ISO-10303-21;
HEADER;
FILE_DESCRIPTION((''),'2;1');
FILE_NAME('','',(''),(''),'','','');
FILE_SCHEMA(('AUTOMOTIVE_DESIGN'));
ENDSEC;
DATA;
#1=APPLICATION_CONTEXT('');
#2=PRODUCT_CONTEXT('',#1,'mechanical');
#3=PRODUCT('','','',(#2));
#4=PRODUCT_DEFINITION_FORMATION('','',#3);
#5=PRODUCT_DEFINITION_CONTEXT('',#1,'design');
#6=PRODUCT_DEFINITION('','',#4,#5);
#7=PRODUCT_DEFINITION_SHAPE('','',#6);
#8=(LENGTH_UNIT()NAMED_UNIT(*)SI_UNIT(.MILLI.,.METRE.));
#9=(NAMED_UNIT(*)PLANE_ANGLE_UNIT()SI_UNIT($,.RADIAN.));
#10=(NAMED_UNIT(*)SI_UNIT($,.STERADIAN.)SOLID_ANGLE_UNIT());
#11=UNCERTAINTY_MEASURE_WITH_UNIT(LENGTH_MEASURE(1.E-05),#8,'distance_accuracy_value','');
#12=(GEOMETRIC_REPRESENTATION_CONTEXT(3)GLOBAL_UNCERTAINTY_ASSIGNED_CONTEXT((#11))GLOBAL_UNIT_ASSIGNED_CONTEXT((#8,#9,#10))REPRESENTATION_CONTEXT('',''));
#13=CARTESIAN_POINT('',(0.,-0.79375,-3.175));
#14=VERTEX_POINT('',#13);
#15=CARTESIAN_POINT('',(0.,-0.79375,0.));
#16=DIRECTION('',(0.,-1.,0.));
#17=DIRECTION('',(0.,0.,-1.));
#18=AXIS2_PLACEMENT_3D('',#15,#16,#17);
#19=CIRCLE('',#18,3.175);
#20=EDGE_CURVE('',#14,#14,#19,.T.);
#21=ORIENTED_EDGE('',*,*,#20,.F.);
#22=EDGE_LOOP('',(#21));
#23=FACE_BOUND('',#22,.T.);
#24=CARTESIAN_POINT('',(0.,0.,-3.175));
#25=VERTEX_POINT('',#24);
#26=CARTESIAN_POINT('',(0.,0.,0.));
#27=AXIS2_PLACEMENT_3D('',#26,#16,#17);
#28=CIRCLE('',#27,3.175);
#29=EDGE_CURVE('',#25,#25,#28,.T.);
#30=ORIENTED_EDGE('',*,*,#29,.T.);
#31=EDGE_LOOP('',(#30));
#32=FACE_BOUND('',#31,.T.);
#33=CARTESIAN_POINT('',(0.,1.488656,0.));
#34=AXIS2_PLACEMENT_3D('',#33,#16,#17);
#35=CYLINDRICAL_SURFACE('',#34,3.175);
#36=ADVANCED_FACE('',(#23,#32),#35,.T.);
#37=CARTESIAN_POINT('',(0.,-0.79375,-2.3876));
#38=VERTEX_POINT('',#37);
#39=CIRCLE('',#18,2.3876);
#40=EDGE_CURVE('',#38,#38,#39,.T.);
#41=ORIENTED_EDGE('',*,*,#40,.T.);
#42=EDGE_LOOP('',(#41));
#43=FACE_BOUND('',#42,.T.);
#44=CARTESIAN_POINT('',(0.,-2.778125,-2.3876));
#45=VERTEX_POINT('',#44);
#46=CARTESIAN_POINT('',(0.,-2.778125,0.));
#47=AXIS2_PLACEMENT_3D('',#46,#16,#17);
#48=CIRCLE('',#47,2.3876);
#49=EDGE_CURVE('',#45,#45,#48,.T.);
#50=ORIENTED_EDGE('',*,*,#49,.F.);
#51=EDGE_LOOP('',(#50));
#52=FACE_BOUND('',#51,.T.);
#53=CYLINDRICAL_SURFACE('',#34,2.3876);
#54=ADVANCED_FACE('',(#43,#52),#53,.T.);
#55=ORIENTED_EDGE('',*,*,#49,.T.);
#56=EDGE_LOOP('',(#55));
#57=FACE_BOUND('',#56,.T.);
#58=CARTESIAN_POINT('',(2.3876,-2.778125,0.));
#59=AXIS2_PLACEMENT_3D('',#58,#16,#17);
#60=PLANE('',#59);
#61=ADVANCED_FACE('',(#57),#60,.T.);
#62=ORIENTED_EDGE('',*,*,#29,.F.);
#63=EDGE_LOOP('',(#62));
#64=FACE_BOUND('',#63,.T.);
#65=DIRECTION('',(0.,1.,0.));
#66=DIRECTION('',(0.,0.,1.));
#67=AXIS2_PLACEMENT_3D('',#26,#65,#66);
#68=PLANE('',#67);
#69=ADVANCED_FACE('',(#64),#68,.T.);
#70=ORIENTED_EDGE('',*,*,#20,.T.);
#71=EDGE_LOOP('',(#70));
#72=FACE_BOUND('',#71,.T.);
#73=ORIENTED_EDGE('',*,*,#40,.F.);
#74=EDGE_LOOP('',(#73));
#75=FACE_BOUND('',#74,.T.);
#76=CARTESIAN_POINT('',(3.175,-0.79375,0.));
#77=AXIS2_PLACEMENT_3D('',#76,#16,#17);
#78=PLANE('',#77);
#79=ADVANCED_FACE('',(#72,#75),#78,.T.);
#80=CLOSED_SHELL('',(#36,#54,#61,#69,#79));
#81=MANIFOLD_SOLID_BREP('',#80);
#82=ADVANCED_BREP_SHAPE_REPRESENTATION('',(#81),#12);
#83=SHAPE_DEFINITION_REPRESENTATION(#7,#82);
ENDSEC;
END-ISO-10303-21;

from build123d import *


with BuildPart() as part:
    # Sketch1 → Revolve1 (revolve)
    with BuildSketch(Plane.XY, mode=Mode.PRIVATE) as revolve1_sk:
        Polygon((0, 0), (3.175, 0), (3.175, -0.79375), (2.3876, -0.79375), (2.3876, -2.778125), (0, -2.778125), align=None)
    revolve(revolve1_sk.sketch.rotate(Axis((0, 1.488656027, 0), (0, 1, 0)), 90), axis=Axis((0, 1.488656027, 0), (0, 1, 0)))


solid = part.part
